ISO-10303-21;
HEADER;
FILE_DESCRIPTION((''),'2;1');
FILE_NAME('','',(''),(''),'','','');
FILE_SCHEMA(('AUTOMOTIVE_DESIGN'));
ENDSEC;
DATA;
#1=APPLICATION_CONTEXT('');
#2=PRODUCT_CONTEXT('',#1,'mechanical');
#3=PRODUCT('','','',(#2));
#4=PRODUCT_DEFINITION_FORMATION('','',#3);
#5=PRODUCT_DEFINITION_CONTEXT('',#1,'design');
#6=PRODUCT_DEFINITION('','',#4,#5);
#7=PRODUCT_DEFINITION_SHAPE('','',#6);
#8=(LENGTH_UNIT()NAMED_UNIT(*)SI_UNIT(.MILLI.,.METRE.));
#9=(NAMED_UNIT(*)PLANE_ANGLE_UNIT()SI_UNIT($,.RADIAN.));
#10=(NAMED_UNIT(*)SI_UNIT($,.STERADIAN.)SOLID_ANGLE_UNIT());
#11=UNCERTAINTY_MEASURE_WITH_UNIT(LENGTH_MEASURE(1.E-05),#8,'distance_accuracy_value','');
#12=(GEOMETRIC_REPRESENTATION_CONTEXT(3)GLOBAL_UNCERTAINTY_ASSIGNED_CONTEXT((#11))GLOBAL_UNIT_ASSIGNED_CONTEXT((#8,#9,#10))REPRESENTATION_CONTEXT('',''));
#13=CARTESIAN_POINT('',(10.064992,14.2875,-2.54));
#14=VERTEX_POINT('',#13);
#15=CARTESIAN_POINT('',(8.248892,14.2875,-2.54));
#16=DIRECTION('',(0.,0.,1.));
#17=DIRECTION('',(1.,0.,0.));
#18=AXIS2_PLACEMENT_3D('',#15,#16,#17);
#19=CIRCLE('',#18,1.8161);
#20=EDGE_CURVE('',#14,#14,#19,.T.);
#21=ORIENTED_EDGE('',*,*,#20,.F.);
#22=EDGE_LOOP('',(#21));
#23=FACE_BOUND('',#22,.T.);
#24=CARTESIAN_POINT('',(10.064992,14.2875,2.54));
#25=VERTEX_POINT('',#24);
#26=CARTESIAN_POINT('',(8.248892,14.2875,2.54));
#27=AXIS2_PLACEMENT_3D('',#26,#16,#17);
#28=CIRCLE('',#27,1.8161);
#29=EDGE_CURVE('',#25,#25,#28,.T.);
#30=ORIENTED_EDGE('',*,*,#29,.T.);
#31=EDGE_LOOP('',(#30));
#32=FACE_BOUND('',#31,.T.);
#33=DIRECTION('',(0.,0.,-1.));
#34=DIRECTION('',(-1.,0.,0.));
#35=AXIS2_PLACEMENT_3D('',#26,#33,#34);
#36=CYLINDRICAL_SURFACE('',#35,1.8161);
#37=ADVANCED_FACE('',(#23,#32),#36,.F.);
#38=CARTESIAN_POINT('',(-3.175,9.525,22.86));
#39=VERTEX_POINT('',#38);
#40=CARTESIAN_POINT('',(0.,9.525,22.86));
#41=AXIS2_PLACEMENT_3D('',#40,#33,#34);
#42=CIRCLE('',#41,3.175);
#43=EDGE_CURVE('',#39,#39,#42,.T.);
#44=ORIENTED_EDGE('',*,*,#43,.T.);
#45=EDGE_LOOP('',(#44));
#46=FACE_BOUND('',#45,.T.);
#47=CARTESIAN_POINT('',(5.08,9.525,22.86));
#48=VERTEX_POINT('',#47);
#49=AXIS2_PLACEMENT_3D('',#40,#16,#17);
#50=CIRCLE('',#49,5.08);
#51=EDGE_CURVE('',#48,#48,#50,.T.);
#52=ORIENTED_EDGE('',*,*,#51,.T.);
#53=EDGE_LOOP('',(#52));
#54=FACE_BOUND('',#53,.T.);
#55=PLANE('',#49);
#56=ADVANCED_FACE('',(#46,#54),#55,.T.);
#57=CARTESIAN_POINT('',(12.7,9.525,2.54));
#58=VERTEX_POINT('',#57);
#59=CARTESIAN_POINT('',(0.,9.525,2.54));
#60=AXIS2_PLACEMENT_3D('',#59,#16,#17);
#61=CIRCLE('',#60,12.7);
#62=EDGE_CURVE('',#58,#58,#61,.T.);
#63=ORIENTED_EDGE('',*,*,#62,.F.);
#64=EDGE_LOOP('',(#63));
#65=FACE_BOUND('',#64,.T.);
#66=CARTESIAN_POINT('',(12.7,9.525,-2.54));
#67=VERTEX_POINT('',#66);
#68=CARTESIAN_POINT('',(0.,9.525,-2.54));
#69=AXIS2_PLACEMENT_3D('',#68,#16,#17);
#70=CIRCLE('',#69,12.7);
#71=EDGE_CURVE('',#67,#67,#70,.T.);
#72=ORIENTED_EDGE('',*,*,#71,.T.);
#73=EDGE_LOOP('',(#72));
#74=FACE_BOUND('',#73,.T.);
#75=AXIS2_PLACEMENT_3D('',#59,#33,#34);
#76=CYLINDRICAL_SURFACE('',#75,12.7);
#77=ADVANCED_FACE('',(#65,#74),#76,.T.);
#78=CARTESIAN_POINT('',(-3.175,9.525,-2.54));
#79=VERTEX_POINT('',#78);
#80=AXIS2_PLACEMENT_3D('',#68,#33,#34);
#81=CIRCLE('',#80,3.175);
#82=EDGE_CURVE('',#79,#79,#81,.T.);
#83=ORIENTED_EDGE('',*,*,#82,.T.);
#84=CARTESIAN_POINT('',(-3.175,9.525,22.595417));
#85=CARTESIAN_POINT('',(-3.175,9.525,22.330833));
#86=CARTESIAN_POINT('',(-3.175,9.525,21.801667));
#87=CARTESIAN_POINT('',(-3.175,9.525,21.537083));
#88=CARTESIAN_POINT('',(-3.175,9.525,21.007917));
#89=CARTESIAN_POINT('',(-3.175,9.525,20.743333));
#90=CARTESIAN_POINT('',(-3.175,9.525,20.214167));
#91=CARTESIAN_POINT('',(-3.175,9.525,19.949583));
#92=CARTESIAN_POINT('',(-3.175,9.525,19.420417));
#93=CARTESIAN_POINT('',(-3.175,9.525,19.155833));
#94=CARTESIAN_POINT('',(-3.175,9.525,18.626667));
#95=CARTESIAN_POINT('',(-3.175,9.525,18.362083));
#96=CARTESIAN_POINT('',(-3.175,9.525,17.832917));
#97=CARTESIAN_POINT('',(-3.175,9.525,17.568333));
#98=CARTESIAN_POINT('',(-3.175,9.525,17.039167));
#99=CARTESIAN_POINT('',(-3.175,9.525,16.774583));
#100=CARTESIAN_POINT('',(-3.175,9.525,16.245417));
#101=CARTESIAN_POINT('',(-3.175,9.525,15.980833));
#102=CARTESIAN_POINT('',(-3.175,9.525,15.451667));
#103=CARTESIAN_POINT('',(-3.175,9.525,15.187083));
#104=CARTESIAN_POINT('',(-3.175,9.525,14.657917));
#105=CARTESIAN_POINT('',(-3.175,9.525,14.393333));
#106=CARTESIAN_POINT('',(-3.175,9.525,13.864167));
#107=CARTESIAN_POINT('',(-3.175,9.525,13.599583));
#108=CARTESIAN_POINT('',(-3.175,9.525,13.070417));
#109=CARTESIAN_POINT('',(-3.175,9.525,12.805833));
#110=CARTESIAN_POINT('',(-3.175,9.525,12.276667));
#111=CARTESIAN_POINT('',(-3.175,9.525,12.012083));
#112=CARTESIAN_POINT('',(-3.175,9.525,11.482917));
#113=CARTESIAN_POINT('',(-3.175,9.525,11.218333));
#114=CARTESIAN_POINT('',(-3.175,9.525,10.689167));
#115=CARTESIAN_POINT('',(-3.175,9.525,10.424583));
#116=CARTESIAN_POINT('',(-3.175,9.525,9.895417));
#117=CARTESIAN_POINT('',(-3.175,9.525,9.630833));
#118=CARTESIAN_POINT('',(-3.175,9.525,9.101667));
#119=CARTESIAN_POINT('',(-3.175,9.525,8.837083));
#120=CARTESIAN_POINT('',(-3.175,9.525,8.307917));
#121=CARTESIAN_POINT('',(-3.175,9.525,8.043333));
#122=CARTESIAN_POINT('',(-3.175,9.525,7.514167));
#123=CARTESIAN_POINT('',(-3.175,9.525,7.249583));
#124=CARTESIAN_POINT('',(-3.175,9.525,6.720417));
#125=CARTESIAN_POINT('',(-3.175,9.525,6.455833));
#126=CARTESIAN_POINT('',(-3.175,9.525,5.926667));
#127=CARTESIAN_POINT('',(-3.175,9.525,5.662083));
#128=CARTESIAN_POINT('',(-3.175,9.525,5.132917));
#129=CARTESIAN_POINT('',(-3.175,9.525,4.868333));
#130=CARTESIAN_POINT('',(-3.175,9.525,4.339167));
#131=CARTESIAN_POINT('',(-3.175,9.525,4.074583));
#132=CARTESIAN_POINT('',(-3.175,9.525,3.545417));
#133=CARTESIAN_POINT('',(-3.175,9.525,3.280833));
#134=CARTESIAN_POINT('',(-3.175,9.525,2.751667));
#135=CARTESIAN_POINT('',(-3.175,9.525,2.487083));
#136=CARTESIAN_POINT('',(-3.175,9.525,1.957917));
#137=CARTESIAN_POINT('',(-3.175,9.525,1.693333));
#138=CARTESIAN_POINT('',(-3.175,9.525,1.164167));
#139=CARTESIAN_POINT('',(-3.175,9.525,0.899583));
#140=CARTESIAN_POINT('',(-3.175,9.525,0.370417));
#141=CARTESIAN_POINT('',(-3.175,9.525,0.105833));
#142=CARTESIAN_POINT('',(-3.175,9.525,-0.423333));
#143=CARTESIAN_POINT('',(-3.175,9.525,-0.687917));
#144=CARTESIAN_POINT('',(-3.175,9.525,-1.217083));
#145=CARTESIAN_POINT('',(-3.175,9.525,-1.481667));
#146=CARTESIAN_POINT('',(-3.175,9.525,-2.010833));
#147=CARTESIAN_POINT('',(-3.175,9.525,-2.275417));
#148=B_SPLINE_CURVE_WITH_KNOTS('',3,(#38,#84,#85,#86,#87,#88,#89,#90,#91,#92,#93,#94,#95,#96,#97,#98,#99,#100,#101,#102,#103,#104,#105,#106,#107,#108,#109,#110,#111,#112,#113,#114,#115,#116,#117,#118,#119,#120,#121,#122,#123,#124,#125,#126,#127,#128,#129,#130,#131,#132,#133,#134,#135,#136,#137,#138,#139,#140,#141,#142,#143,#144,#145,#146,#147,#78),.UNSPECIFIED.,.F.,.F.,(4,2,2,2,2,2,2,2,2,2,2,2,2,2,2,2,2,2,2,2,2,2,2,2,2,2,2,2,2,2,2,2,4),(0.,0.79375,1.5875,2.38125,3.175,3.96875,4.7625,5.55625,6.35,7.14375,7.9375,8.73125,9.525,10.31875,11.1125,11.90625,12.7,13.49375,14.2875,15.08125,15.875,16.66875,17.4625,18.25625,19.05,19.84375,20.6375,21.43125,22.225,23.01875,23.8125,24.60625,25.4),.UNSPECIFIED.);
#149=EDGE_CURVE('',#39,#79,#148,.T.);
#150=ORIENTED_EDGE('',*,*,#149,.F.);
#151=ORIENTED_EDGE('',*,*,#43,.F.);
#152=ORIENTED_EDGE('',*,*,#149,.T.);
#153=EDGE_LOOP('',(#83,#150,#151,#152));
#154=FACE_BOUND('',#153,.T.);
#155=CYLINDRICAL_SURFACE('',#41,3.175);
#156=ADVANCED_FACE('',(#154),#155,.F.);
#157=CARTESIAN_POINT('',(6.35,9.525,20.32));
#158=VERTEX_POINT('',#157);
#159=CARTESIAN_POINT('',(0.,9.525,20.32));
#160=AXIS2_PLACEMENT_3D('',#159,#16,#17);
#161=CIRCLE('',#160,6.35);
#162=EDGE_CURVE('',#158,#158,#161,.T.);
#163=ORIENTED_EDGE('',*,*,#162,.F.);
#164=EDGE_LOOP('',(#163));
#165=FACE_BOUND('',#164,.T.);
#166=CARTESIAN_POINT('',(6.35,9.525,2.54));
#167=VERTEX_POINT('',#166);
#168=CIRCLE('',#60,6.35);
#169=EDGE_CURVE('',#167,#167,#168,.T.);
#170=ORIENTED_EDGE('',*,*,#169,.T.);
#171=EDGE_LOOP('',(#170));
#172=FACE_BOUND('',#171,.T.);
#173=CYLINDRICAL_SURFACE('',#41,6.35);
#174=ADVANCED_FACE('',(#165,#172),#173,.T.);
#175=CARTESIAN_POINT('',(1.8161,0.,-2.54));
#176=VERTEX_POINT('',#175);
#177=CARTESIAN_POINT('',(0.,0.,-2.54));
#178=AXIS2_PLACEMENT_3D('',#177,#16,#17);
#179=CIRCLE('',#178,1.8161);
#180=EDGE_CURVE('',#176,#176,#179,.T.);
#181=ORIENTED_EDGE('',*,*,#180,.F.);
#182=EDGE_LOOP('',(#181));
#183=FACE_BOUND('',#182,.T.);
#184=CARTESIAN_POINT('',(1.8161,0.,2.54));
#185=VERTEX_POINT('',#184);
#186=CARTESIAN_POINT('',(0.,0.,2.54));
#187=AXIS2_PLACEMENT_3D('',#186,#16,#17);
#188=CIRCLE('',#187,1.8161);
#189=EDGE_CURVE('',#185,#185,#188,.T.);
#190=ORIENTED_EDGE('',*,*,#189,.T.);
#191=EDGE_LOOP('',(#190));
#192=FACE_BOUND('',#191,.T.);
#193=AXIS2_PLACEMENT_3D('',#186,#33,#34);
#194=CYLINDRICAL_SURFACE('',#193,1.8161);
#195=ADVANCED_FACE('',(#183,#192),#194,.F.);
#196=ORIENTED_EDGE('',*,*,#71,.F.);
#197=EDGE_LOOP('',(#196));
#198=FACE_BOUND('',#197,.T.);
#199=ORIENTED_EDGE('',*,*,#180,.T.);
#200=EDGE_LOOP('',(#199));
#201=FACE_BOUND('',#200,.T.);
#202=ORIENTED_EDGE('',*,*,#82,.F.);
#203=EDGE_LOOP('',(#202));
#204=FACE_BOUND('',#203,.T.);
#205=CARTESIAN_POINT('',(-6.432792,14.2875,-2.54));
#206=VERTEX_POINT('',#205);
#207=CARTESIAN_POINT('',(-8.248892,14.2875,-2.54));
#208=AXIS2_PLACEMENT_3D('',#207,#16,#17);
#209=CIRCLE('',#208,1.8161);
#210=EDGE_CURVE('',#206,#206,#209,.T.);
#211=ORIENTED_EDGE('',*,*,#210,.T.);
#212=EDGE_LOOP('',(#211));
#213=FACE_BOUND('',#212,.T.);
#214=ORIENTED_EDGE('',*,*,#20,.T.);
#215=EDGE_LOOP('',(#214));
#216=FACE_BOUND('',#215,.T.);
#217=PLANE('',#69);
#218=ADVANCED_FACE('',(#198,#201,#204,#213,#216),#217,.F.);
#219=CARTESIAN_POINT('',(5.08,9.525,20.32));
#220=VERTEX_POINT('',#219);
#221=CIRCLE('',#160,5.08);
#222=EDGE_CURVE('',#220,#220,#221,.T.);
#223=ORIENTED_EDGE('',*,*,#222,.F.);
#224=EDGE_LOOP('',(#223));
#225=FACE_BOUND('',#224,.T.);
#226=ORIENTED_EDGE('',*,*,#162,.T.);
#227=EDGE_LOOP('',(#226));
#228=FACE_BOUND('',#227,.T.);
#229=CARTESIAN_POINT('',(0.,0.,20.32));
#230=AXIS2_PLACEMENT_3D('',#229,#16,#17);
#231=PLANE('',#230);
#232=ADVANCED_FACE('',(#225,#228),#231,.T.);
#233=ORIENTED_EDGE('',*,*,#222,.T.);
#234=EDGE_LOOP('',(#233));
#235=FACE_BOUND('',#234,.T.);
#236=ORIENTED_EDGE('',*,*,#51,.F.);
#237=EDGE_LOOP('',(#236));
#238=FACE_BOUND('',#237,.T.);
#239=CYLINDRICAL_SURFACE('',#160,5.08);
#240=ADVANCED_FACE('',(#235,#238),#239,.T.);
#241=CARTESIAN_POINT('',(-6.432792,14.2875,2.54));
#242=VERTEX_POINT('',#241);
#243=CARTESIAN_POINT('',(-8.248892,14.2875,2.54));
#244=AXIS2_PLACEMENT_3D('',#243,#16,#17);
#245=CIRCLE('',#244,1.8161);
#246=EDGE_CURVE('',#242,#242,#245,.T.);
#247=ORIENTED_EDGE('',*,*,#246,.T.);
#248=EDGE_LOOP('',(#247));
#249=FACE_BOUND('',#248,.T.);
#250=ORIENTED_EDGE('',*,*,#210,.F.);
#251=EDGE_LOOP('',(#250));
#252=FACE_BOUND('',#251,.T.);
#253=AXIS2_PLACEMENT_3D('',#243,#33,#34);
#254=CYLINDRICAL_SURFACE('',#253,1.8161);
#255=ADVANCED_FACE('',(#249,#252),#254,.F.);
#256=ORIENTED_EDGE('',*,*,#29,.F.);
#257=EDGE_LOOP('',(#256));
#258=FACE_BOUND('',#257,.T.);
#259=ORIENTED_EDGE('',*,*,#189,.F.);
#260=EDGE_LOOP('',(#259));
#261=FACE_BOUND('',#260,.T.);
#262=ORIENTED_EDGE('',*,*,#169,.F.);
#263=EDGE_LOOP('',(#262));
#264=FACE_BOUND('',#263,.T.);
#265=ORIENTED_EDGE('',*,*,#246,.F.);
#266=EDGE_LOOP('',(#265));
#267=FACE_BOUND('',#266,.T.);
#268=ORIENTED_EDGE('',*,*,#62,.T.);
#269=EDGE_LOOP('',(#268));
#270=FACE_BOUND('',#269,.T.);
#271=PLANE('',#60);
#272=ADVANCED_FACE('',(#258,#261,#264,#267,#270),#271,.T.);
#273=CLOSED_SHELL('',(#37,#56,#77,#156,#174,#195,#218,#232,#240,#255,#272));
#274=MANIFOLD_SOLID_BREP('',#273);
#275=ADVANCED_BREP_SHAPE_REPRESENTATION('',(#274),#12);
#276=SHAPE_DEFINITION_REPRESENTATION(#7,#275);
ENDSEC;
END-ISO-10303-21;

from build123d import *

# Parameters (mm, degrees)
SKETCH1_R           = 12.7
SKETCH1_R_2         = 1.8161
BOSS_EXTRUDE1_DEPTH = 2.54
SKETCH2_R           = 6.35
BOSS_EXTRUDE2_DEPTH = 20.32
SKETCH4_R           = 3.175
CUT_EXTRUDE1_DEPTH  = 37.061067996
CUT_EXTRUDE2_START  = -2.54
SKETCH5_R           = 6.35
SKETCH5_R_2         = 5.08
CUT_EXTRUDE2_DEPTH  = 2.54


with BuildPart() as part:
    # Sketch1 → Boss-Extrude1 (new, symmetric)
    with BuildSketch(Plane.XY):
        with Locations((0, 9.525)):
            Circle(SKETCH1_R)
        Circle(SKETCH1_R_2, mode=Mode.SUBTRACT)
        with Locations((-8.248891971, 14.2875)):
            Circle(SKETCH1_R_2, mode=Mode.SUBTRACT)
        with Locations((8.248891971, 14.2875)):
            Circle(SKETCH1_R_2, mode=Mode.SUBTRACT)
    extrude(amount=BOSS_EXTRUDE1_DEPTH, both=True)

    # Sketch2 → Boss-Extrude2 (add)
    with BuildSketch(Plane.XY.offset(2.54)):
        with Locations((0, 9.525)):
            Circle(SKETCH2_R)
    extrude(amount=BOSS_EXTRUDE2_DEPTH)

    # Sketch4 → Cut-Extrude1 (cut, through all)
    with BuildSketch(Plane(origin=(0, 0, -2.54), x_dir=(-1, 0, 0), z_dir=(0, 0, -1))):
        with Locations((0, 9.525)):
            Circle(SKETCH4_R)
    extrude(amount=-CUT_EXTRUDE1_DEPTH, mode=Mode.SUBTRACT)

    # Sketch5 → Cut-Extrude2 (cut)
    with BuildSketch(Plane.XY.offset(22.86).offset(CUT_EXTRUDE2_START)):
        with Locations((0, 9.525)):
            Circle(SKETCH5_R)
        with Locations((0, 9.525)):
            Circle(SKETCH5_R_2, mode=Mode.SUBTRACT)
    extrude(amount=CUT_EXTRUDE2_DEPTH, mode=Mode.SUBTRACT)


solid = part.part
